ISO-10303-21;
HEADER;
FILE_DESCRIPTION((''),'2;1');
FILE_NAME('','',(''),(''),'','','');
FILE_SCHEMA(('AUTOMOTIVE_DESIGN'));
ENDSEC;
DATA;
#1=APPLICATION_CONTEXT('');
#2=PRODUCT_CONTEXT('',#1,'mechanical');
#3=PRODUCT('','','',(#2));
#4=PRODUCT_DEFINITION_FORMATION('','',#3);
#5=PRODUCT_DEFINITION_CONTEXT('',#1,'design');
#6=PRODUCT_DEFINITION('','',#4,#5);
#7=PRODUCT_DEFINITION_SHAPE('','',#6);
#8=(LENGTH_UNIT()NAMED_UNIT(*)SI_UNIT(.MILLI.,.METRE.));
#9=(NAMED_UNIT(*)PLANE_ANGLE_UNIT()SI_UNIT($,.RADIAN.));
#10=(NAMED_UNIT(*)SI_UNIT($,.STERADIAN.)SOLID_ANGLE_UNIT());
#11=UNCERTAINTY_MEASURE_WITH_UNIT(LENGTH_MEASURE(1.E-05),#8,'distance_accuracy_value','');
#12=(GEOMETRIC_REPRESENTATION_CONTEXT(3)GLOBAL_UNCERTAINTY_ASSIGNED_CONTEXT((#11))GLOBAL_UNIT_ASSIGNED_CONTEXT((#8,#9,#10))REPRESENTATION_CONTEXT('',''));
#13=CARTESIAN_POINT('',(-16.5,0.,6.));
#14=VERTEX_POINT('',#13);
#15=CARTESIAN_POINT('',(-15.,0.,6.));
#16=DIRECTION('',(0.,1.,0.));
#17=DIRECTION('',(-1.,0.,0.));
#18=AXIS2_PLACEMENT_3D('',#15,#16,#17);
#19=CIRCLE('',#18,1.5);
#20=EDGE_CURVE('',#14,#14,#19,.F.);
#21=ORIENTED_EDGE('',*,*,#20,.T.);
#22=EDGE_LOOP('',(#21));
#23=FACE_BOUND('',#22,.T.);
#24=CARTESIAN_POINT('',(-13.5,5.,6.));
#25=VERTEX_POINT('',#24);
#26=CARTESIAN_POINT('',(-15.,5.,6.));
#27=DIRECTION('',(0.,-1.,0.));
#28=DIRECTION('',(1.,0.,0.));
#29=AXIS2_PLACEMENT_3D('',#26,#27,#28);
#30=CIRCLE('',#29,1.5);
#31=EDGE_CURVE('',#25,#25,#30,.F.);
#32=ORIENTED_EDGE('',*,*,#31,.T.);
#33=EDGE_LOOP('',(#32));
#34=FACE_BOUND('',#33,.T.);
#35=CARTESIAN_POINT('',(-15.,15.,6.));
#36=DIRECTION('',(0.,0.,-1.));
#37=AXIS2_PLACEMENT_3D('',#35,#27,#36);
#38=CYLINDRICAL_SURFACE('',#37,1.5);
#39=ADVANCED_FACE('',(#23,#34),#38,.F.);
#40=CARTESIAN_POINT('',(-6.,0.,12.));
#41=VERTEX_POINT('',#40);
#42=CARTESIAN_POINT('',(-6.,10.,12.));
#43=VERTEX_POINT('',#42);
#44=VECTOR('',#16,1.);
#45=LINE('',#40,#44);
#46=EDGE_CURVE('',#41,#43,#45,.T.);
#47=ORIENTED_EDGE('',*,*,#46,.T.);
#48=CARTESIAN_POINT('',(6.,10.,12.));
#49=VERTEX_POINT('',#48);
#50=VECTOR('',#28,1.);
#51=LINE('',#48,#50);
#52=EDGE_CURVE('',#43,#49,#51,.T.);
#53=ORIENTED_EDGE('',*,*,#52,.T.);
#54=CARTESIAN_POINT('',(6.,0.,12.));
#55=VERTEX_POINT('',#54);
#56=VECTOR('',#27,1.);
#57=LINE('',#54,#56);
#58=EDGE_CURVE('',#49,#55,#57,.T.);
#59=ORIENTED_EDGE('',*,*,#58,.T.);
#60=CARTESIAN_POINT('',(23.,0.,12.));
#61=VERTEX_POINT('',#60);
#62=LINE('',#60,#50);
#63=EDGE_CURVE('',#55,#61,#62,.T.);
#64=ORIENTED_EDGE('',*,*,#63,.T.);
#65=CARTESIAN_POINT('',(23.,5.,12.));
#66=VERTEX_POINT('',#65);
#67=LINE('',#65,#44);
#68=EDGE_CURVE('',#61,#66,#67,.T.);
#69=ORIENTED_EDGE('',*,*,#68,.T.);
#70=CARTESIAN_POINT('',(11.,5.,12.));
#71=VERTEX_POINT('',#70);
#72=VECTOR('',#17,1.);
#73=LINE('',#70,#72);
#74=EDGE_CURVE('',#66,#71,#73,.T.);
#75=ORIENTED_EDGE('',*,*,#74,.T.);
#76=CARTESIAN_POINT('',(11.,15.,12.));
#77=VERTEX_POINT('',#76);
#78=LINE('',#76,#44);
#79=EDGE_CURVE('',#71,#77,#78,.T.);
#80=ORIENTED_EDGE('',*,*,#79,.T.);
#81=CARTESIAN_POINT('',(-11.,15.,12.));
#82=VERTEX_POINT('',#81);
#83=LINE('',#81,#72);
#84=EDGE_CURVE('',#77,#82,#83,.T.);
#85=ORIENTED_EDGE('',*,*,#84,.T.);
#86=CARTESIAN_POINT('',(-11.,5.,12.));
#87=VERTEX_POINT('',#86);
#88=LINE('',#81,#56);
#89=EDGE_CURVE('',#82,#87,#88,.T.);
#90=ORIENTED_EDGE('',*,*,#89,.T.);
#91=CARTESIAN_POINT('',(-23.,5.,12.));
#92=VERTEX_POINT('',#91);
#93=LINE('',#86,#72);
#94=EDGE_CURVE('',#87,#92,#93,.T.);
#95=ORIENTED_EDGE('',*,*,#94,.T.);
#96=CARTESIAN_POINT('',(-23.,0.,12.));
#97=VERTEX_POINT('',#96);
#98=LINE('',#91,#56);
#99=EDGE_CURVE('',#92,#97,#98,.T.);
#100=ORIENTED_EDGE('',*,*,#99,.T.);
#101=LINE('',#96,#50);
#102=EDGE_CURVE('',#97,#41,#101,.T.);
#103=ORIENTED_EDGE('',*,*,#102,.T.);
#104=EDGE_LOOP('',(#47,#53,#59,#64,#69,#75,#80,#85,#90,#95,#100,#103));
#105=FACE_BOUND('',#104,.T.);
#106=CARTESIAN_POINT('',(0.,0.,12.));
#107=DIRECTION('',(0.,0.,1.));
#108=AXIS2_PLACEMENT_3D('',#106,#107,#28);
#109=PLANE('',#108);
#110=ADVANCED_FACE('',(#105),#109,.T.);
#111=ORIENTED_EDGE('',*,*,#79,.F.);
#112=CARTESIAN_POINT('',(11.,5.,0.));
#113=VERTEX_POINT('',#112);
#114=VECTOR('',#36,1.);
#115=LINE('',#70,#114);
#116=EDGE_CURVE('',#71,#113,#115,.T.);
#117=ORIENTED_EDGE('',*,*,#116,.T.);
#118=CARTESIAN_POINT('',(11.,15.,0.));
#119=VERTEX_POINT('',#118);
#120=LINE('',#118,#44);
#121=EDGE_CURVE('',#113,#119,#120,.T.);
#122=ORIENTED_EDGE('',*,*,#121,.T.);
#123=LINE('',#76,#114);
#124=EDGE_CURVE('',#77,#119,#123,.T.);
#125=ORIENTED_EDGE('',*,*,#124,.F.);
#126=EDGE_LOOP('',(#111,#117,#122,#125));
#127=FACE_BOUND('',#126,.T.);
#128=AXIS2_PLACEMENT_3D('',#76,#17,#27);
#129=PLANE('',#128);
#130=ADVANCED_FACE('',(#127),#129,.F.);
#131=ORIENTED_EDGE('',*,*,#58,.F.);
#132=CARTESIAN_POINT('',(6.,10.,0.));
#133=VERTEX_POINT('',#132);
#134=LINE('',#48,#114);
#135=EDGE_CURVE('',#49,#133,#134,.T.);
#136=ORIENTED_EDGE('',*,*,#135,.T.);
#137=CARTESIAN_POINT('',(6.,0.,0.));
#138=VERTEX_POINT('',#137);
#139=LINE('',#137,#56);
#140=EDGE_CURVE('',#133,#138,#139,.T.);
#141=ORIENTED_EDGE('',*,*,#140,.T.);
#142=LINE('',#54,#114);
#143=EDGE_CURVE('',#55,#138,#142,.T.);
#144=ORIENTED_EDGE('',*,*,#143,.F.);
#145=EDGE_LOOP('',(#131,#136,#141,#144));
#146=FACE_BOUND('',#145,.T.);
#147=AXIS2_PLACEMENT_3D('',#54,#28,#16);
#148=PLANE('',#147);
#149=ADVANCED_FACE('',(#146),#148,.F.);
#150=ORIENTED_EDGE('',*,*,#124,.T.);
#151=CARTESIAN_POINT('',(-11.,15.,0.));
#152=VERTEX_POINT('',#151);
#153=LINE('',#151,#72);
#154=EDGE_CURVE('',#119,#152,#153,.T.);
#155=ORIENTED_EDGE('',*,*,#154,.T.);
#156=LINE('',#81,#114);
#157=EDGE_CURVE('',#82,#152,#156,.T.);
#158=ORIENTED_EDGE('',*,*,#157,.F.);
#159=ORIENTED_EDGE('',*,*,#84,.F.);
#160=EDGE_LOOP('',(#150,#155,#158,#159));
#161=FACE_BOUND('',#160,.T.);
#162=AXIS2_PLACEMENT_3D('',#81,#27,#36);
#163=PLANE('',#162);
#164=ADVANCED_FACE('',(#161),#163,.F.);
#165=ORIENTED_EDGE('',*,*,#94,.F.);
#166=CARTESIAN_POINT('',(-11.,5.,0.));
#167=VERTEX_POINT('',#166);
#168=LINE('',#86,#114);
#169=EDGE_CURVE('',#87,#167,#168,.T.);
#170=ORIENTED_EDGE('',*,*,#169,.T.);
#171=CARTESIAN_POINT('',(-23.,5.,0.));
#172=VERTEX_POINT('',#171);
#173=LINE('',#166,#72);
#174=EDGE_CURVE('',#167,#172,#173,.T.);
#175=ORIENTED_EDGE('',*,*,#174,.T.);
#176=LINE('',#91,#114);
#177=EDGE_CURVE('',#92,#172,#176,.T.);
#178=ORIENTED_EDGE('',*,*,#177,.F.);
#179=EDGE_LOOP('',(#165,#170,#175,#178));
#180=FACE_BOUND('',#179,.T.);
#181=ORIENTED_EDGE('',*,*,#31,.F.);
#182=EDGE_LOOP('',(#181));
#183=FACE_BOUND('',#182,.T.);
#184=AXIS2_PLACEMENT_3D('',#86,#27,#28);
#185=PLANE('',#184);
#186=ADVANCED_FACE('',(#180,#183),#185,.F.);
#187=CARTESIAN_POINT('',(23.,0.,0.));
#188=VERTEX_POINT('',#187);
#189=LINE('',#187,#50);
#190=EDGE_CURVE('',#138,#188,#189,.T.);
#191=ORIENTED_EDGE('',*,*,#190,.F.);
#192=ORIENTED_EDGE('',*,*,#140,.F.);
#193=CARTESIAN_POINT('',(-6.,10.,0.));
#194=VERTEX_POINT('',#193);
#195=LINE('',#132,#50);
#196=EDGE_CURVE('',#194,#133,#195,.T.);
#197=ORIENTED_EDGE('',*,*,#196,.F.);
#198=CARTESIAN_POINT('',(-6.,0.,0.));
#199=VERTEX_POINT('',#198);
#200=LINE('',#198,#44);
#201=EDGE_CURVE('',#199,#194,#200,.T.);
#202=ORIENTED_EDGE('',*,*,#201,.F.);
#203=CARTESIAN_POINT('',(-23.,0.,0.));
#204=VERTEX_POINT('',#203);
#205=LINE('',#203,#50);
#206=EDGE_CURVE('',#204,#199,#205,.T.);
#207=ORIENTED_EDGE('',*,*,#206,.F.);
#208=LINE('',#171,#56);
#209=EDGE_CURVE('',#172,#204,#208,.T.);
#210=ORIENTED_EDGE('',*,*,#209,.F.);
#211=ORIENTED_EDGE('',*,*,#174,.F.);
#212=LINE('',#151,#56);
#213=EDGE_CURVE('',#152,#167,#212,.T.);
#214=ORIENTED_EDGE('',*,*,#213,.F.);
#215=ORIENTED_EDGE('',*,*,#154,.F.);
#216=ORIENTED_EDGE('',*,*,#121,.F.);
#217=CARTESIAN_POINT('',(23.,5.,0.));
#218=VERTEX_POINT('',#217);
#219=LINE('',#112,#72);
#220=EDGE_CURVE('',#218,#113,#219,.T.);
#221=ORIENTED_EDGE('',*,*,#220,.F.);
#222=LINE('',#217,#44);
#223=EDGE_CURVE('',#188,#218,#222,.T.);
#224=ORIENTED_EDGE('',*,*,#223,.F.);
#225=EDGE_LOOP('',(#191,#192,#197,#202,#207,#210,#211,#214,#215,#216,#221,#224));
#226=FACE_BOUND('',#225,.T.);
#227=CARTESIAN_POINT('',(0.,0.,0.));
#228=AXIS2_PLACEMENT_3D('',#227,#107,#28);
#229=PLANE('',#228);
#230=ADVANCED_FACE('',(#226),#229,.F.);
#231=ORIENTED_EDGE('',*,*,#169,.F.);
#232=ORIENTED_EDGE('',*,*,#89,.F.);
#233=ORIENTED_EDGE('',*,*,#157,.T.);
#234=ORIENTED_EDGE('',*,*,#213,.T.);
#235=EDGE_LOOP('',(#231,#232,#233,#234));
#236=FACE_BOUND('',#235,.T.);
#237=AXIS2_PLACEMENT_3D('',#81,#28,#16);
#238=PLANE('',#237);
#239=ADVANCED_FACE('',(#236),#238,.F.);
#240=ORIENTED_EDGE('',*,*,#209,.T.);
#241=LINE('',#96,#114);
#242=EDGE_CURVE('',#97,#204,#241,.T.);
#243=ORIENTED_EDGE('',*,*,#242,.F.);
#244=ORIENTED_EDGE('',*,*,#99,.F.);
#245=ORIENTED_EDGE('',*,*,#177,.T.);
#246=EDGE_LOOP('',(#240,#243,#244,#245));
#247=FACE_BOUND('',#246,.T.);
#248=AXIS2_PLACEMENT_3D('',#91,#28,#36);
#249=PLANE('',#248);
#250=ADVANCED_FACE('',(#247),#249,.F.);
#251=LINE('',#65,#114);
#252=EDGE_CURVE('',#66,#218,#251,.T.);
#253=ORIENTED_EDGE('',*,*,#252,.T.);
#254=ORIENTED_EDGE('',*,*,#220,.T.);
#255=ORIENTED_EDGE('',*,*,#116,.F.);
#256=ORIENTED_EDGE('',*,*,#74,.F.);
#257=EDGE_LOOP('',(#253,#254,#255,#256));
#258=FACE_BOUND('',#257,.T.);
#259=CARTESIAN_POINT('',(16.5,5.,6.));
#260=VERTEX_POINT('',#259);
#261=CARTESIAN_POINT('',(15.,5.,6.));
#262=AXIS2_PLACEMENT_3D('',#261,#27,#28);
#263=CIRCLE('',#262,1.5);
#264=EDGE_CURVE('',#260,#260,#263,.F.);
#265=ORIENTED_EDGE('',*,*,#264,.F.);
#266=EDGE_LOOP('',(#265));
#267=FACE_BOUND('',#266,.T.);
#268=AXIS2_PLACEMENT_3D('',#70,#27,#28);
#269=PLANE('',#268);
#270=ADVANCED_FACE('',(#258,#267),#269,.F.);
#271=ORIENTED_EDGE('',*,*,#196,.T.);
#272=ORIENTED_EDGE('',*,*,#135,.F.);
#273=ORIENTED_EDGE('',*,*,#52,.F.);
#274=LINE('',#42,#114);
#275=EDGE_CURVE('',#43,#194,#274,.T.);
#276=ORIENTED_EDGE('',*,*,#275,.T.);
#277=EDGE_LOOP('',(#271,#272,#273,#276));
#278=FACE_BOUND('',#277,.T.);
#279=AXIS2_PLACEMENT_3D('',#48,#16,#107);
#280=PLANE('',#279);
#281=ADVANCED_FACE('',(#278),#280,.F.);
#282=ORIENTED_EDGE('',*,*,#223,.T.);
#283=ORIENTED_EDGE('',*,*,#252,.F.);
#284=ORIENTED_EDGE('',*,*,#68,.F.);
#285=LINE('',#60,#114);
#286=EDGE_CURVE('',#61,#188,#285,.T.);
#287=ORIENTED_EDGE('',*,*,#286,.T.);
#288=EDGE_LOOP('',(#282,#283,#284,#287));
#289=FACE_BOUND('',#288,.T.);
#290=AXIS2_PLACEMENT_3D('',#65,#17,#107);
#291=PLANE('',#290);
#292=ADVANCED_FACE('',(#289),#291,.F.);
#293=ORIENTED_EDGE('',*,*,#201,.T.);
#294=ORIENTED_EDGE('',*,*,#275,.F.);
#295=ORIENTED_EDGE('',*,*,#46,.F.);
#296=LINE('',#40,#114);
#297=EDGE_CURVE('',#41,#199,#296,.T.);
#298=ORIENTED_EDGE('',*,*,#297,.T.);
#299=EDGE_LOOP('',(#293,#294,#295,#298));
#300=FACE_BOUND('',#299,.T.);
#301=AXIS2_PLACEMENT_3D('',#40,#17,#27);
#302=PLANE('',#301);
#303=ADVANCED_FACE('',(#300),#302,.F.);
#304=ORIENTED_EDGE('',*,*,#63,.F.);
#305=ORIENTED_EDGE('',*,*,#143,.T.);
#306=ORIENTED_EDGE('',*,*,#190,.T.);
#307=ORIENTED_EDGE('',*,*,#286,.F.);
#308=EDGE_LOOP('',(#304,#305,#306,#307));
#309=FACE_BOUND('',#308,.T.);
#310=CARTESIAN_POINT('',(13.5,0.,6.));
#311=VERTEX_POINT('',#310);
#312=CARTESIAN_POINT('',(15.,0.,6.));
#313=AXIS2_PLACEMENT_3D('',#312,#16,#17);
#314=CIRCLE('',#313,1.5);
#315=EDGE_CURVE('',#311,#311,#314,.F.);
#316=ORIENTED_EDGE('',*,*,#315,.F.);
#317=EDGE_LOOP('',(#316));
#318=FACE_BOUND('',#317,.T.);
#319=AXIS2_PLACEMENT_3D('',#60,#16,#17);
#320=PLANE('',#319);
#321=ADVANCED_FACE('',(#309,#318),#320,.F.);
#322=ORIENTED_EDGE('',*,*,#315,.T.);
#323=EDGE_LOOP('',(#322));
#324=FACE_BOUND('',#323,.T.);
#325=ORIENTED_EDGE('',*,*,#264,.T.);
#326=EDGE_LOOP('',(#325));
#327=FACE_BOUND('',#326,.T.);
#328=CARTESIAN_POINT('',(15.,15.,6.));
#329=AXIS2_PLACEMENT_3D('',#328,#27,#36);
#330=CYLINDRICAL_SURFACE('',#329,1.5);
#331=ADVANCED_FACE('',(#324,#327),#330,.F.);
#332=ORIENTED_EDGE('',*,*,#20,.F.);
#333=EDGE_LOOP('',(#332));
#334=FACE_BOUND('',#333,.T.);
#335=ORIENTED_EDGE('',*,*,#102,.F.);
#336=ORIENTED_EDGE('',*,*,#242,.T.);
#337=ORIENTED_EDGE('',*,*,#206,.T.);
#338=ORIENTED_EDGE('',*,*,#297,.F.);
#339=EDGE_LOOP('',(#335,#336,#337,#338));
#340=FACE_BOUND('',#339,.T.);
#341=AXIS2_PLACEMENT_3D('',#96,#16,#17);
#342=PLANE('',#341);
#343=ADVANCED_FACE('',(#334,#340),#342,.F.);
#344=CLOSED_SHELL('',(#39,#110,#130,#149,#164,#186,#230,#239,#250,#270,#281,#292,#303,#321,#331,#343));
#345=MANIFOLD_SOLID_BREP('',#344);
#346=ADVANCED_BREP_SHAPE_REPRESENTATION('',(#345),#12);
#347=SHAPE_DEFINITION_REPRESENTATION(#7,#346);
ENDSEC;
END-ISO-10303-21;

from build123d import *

# Parameters (mm, degrees)
EXTRUDE_1_DEPTH         = 12
SKETCH_2_R              = 1.5
CUT_EXTRUDE3_DEPTH      = 16
CUT_EXTRUDE3_DEPTH_BACK = 10


with BuildPart() as part:
    # 草图1 → 凸台-拉伸1 (new body)
    with BuildSketch(Plane.XY):
        Polygon((-11, 15), (11, 15), (11, 5), (23, 5), (23, 0), (6, 0), (6, 10), (-6, 10), (-6, 0), (-23, 0), (-23, 5), (-11, 5), align=None)
    extrude(amount=EXTRUDE_1_DEPTH)

    # 草图2 → Cut-Extrude3 (cut, two sides)
    with BuildSketch(Plane(origin=(0, 0, 0), x_dir=(1, 0, 0), z_dir=(0, 1, 0))) as cut_extrude3_sk:
        with Locations((-15, -6)):
            Circle(SKETCH_2_R)
        with Locations((15, -6)):
            Circle(SKETCH_2_R)
    extrude(amount=CUT_EXTRUDE3_DEPTH, mode=Mode.SUBTRACT)
    extrude(cut_extrude3_sk.sketch, amount=-CUT_EXTRUDE3_DEPTH_BACK, mode=Mode.SUBTRACT)


solid = part.part
